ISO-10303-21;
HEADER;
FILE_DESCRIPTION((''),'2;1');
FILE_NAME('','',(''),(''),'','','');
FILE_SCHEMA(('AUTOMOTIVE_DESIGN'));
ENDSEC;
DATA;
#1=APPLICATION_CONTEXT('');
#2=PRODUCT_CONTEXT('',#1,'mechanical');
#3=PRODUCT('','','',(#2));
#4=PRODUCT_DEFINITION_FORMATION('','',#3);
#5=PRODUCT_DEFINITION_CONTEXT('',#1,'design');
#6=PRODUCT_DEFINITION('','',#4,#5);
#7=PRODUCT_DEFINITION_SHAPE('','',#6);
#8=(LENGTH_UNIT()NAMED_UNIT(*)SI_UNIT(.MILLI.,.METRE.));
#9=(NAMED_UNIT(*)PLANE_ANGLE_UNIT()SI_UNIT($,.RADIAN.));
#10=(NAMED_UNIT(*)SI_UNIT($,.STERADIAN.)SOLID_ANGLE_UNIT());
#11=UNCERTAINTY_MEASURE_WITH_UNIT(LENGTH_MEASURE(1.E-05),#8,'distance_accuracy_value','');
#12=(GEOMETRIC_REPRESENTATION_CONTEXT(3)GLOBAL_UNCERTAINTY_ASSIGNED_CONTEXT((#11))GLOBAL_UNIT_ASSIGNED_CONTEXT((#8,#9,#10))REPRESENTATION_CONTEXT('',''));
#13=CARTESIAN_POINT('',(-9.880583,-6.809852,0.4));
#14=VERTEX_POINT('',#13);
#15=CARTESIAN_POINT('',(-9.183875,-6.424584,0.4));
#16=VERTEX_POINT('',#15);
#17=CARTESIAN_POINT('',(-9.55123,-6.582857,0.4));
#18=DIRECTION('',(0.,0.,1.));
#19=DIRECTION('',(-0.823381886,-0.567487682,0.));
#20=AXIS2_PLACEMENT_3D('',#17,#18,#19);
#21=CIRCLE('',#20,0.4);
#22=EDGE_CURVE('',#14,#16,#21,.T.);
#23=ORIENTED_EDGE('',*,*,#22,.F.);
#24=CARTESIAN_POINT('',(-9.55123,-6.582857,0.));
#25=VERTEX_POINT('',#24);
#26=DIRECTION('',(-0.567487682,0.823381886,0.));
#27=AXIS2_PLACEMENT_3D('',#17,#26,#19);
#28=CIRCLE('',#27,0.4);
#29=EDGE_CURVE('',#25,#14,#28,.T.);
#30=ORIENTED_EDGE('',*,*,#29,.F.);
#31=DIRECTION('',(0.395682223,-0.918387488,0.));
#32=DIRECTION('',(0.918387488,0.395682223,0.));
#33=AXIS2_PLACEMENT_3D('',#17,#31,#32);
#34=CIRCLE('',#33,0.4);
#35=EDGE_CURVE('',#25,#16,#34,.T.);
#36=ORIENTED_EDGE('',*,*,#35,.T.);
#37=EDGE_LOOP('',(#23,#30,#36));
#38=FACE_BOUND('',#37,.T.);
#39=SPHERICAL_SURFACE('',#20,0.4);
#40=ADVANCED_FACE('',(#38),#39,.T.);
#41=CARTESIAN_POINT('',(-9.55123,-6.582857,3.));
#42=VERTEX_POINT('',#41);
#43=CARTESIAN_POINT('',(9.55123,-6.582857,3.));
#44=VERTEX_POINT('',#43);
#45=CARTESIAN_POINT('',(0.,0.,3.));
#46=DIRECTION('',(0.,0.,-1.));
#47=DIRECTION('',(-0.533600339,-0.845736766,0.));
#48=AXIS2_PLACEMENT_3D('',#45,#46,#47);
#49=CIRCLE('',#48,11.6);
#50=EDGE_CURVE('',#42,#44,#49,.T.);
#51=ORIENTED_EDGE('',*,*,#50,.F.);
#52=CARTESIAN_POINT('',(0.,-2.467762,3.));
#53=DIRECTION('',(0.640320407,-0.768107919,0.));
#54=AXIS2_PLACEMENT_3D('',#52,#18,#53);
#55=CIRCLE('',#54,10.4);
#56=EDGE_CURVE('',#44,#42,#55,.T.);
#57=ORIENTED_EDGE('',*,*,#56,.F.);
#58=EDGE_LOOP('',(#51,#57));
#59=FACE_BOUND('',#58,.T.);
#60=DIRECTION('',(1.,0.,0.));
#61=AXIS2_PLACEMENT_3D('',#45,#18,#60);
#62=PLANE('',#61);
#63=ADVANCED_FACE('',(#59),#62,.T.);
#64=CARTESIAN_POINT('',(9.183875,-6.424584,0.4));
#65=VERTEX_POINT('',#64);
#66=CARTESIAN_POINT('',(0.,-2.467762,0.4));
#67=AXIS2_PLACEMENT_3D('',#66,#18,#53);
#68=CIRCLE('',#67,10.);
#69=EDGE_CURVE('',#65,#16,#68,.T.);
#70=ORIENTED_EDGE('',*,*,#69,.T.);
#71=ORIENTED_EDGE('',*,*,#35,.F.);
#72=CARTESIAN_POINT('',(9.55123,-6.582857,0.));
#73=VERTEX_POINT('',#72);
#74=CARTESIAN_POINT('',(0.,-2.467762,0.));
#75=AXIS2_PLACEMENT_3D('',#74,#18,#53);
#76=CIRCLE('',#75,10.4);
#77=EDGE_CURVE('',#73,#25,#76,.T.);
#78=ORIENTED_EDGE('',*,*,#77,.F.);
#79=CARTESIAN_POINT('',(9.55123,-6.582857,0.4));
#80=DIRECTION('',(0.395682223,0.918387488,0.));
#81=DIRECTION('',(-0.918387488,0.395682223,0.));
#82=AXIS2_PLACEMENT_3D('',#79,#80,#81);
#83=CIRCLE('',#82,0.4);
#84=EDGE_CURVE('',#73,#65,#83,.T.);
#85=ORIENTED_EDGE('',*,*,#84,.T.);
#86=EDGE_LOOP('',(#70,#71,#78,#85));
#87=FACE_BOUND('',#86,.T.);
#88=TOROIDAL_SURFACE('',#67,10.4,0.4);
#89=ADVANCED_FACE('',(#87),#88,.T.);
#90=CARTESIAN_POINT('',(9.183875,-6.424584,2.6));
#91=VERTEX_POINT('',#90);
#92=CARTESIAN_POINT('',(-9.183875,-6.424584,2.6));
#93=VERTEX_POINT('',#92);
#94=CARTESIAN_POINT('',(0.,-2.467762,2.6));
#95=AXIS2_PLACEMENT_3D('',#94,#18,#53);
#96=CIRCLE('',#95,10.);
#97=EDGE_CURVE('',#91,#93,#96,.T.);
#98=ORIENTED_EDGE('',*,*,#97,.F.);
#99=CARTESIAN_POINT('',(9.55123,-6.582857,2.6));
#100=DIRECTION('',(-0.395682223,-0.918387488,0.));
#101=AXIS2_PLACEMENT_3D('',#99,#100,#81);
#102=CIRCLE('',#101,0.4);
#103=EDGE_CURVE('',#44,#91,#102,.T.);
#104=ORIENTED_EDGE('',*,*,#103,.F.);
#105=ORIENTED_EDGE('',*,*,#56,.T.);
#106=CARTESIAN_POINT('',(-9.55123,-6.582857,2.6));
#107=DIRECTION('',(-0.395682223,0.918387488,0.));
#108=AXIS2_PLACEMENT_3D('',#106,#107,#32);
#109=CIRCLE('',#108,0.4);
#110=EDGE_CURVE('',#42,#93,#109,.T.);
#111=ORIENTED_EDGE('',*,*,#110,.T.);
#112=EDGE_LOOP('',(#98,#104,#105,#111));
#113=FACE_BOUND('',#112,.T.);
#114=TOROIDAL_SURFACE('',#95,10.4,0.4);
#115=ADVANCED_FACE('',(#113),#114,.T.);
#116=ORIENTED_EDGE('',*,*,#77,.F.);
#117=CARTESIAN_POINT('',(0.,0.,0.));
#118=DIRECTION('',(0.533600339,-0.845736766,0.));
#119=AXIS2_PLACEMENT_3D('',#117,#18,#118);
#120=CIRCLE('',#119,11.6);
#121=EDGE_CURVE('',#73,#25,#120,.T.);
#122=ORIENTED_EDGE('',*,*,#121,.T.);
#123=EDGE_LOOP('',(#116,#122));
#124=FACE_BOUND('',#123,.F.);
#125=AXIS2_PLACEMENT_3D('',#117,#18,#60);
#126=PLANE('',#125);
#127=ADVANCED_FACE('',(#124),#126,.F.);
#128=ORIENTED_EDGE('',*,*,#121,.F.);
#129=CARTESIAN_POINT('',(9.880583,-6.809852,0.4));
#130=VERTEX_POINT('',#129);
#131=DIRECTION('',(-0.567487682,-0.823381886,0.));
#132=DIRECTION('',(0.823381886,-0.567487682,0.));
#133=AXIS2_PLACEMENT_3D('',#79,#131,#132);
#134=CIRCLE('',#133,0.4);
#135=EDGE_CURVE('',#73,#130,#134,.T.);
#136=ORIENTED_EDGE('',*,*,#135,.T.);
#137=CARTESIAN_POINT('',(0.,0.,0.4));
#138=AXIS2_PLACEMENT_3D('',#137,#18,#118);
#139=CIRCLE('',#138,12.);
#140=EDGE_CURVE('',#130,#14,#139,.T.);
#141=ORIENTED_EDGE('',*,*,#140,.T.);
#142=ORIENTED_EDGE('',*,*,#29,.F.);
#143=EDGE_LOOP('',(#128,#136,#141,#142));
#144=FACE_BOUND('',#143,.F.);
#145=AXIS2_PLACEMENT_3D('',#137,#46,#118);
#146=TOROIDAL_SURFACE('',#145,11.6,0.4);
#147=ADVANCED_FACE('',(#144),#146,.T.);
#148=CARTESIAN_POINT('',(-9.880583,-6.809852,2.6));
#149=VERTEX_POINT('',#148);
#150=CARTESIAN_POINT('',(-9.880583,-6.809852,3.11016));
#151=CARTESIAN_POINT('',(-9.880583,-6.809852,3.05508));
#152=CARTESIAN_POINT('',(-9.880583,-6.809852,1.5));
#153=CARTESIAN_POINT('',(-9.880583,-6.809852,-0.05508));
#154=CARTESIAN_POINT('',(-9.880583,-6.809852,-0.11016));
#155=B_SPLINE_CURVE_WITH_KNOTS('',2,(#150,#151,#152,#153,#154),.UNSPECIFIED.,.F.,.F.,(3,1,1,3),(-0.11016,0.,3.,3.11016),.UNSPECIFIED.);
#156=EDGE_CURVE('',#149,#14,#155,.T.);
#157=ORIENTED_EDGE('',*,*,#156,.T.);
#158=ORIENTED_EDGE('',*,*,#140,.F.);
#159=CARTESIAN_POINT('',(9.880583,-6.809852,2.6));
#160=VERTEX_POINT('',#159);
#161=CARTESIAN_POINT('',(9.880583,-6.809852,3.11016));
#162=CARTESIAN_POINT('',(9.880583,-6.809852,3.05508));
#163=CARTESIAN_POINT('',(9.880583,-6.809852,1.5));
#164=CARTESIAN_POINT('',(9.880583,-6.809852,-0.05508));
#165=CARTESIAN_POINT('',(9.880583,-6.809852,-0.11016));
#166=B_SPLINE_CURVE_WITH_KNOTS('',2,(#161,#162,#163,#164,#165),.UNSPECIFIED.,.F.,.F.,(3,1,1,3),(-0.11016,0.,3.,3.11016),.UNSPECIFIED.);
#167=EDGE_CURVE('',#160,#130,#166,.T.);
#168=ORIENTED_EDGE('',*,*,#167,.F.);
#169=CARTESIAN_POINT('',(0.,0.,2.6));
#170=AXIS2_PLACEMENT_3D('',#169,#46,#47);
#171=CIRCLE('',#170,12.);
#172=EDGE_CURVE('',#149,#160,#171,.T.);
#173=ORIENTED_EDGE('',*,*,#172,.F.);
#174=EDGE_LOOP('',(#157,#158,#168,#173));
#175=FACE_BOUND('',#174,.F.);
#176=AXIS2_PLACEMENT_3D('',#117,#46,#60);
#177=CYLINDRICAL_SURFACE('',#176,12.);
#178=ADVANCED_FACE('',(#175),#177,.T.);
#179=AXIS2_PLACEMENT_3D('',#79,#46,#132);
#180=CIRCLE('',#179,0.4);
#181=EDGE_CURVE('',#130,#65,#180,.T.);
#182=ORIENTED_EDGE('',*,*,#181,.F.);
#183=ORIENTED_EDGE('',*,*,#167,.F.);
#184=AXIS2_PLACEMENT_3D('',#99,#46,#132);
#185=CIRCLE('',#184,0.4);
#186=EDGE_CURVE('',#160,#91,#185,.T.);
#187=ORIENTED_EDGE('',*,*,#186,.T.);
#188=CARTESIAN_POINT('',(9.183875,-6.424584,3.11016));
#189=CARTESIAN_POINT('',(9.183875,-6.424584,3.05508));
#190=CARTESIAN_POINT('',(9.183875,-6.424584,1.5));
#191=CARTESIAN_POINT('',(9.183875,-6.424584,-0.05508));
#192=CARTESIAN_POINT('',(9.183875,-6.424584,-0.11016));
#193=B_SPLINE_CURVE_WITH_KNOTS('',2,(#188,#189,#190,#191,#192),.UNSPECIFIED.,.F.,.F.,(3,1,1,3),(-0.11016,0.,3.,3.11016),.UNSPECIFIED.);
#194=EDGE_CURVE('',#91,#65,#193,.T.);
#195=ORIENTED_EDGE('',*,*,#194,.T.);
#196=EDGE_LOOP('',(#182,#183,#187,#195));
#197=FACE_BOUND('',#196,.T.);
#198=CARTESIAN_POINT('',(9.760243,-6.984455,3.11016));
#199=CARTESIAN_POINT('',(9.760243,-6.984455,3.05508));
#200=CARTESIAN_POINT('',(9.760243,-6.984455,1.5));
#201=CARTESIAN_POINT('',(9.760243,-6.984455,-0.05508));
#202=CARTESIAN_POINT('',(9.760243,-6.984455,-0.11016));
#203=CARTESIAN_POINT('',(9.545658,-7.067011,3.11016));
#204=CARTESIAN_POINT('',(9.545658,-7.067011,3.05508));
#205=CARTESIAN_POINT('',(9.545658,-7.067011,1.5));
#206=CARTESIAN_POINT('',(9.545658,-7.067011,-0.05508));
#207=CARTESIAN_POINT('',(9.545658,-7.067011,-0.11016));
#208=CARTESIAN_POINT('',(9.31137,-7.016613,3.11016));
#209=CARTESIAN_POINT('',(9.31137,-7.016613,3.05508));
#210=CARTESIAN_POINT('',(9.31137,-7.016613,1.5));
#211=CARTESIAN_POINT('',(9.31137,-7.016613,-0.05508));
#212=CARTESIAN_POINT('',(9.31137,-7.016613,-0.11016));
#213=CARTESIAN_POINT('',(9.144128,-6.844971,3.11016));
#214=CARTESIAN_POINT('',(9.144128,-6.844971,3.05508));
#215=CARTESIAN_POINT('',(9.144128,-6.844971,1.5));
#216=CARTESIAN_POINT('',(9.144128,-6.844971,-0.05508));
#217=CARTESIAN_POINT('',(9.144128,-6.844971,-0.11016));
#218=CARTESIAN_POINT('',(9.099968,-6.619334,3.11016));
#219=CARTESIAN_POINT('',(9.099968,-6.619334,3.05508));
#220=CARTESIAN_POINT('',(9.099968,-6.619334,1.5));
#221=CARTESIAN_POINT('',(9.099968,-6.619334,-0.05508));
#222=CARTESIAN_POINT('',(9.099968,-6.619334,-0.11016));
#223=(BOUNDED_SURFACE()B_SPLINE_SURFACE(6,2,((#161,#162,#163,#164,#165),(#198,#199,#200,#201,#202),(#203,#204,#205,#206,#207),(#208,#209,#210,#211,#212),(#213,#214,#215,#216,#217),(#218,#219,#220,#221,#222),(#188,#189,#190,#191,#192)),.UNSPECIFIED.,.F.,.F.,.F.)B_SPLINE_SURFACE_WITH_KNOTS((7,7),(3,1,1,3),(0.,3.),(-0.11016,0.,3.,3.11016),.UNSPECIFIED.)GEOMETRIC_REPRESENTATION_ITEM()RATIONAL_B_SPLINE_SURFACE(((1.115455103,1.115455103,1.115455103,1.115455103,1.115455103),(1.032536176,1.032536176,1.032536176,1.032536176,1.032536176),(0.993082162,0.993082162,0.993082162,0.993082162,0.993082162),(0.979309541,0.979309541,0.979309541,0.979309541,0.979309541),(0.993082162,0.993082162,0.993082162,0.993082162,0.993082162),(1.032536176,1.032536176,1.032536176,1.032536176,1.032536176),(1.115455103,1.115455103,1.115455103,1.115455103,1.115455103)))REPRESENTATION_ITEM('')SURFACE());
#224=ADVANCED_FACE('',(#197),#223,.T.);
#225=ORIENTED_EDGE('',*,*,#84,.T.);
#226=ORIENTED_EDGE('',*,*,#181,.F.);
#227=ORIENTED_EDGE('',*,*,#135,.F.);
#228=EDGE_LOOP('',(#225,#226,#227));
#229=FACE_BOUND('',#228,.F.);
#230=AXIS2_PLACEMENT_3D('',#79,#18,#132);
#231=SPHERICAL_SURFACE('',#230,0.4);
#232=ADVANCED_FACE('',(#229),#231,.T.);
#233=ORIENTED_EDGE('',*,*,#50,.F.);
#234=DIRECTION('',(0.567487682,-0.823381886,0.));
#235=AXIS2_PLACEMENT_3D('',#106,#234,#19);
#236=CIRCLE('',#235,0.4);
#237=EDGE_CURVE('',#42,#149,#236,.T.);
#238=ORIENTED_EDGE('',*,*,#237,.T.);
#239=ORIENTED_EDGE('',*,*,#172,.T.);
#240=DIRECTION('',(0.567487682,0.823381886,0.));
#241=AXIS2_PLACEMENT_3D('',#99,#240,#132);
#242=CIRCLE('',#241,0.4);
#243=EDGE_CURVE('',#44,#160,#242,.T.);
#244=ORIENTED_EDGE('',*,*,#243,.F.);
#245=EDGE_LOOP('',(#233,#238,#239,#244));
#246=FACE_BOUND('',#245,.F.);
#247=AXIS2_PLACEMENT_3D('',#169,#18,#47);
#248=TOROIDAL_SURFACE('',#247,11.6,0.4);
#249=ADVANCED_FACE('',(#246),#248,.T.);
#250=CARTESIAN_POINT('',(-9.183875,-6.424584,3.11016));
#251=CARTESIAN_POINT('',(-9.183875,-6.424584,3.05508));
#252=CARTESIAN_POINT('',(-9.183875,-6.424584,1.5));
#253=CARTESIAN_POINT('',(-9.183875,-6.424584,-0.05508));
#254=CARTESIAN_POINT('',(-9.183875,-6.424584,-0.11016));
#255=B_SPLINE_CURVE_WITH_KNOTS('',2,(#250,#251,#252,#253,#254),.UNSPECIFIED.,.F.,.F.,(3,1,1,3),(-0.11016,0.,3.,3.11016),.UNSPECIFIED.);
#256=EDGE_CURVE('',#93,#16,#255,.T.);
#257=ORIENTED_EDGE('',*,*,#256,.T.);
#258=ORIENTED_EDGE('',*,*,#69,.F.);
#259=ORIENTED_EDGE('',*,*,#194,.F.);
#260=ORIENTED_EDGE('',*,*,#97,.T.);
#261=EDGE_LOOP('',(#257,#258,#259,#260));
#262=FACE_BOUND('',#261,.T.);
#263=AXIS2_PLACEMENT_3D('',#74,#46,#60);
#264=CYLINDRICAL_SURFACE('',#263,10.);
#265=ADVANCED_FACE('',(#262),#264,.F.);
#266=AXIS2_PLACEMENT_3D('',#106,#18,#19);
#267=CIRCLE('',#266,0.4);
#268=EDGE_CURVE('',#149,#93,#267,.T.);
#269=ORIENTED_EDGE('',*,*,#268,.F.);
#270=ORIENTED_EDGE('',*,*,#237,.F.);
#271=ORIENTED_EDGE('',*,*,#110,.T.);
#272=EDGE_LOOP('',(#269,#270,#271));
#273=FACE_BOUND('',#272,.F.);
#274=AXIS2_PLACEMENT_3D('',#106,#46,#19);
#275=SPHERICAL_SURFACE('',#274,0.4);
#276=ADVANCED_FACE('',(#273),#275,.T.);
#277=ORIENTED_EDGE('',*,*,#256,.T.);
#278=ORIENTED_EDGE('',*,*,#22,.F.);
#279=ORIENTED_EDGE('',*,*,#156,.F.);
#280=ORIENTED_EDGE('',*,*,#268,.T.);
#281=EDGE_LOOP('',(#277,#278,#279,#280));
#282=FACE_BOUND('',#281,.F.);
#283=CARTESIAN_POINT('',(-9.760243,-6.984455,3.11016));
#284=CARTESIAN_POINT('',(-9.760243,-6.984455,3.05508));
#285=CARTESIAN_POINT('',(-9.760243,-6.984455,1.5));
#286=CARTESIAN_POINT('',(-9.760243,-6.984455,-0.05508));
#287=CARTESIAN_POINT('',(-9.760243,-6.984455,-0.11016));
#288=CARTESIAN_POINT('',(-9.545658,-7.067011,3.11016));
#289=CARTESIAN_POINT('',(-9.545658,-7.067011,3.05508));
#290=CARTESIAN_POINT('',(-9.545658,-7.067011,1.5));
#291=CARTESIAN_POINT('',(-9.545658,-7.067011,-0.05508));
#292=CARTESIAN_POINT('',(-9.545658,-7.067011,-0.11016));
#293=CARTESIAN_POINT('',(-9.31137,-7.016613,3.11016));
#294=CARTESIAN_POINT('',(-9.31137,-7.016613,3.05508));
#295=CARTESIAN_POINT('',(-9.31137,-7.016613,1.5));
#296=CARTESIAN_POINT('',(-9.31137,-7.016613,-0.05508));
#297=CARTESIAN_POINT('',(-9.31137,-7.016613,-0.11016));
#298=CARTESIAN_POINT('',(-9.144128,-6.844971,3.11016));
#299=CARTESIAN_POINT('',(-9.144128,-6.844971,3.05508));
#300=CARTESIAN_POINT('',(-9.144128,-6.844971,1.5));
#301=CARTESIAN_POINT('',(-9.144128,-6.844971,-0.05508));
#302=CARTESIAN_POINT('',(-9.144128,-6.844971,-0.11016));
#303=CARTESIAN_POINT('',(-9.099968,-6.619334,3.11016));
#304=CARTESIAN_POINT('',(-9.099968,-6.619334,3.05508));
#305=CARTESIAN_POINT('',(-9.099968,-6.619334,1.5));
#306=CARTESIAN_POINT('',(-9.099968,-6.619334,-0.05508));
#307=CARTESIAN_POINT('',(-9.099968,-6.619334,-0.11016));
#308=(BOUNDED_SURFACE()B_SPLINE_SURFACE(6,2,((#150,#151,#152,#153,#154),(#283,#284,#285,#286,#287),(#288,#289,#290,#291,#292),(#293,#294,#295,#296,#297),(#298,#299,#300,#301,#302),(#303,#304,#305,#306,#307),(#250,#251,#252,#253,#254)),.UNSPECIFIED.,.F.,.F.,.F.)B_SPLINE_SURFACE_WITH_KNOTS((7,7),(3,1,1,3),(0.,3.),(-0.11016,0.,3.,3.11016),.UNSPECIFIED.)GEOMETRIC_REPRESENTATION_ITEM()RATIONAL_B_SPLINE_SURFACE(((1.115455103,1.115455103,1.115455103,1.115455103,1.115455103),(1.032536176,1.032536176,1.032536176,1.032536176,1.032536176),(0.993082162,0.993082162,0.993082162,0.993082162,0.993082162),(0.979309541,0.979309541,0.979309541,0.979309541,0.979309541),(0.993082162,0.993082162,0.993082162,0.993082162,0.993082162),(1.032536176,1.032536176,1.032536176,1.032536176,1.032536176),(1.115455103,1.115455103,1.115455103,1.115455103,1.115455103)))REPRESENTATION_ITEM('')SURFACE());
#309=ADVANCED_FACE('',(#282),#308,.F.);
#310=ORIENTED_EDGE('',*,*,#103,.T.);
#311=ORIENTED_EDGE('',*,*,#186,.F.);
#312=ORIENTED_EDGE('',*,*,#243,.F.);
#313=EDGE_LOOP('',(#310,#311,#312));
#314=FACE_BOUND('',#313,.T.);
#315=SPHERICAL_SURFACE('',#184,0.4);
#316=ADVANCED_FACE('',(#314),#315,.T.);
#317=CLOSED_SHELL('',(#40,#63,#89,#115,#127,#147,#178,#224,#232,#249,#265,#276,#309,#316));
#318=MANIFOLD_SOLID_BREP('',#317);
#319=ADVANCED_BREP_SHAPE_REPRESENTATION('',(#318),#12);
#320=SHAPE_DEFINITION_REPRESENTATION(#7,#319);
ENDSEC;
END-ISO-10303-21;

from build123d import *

# Parameters (mm, degrees)
SKETCH_R     = 12
PAD_DEPTH    = 3
SKETCH001_R  = 10
POCKET_DEPTH = 3.001
FILLET_R     = 0.4


with BuildPart() as part:
    # Sketch → Pad (new body)
    with BuildSketch(Plane.XY):
        Circle(SKETCH_R)
    extrude(amount=PAD_DEPTH)

    # Sketch001 → Pocket (cut, through all)
    with BuildSketch(Plane.XY):
        with Locations((0, -2.467762)):
            Circle(SKETCH001_R)
    extrude(amount=POCKET_DEPTH, mode=Mode.SUBTRACT)

    # Fillet
    fillet_edges = [part.edges().sort_by_distance(p)[0] for p in [
        (-5.794891, 10.508056, 3),
        (-4.240751, 6.588508, 3),
        (-5.794891, 10.508056, 0),
        (-4.240751, 6.588508, 0),
        (9.05627, -6.708513, 0),
        (10.508056, -5.794891, 0),
        (6.403207, -10.14884, 1.5),
        (-6.403207, -10.14884, 1.5),
    ]]
    fillet(fillet_edges, radius=FILLET_R)


solid = part.part
